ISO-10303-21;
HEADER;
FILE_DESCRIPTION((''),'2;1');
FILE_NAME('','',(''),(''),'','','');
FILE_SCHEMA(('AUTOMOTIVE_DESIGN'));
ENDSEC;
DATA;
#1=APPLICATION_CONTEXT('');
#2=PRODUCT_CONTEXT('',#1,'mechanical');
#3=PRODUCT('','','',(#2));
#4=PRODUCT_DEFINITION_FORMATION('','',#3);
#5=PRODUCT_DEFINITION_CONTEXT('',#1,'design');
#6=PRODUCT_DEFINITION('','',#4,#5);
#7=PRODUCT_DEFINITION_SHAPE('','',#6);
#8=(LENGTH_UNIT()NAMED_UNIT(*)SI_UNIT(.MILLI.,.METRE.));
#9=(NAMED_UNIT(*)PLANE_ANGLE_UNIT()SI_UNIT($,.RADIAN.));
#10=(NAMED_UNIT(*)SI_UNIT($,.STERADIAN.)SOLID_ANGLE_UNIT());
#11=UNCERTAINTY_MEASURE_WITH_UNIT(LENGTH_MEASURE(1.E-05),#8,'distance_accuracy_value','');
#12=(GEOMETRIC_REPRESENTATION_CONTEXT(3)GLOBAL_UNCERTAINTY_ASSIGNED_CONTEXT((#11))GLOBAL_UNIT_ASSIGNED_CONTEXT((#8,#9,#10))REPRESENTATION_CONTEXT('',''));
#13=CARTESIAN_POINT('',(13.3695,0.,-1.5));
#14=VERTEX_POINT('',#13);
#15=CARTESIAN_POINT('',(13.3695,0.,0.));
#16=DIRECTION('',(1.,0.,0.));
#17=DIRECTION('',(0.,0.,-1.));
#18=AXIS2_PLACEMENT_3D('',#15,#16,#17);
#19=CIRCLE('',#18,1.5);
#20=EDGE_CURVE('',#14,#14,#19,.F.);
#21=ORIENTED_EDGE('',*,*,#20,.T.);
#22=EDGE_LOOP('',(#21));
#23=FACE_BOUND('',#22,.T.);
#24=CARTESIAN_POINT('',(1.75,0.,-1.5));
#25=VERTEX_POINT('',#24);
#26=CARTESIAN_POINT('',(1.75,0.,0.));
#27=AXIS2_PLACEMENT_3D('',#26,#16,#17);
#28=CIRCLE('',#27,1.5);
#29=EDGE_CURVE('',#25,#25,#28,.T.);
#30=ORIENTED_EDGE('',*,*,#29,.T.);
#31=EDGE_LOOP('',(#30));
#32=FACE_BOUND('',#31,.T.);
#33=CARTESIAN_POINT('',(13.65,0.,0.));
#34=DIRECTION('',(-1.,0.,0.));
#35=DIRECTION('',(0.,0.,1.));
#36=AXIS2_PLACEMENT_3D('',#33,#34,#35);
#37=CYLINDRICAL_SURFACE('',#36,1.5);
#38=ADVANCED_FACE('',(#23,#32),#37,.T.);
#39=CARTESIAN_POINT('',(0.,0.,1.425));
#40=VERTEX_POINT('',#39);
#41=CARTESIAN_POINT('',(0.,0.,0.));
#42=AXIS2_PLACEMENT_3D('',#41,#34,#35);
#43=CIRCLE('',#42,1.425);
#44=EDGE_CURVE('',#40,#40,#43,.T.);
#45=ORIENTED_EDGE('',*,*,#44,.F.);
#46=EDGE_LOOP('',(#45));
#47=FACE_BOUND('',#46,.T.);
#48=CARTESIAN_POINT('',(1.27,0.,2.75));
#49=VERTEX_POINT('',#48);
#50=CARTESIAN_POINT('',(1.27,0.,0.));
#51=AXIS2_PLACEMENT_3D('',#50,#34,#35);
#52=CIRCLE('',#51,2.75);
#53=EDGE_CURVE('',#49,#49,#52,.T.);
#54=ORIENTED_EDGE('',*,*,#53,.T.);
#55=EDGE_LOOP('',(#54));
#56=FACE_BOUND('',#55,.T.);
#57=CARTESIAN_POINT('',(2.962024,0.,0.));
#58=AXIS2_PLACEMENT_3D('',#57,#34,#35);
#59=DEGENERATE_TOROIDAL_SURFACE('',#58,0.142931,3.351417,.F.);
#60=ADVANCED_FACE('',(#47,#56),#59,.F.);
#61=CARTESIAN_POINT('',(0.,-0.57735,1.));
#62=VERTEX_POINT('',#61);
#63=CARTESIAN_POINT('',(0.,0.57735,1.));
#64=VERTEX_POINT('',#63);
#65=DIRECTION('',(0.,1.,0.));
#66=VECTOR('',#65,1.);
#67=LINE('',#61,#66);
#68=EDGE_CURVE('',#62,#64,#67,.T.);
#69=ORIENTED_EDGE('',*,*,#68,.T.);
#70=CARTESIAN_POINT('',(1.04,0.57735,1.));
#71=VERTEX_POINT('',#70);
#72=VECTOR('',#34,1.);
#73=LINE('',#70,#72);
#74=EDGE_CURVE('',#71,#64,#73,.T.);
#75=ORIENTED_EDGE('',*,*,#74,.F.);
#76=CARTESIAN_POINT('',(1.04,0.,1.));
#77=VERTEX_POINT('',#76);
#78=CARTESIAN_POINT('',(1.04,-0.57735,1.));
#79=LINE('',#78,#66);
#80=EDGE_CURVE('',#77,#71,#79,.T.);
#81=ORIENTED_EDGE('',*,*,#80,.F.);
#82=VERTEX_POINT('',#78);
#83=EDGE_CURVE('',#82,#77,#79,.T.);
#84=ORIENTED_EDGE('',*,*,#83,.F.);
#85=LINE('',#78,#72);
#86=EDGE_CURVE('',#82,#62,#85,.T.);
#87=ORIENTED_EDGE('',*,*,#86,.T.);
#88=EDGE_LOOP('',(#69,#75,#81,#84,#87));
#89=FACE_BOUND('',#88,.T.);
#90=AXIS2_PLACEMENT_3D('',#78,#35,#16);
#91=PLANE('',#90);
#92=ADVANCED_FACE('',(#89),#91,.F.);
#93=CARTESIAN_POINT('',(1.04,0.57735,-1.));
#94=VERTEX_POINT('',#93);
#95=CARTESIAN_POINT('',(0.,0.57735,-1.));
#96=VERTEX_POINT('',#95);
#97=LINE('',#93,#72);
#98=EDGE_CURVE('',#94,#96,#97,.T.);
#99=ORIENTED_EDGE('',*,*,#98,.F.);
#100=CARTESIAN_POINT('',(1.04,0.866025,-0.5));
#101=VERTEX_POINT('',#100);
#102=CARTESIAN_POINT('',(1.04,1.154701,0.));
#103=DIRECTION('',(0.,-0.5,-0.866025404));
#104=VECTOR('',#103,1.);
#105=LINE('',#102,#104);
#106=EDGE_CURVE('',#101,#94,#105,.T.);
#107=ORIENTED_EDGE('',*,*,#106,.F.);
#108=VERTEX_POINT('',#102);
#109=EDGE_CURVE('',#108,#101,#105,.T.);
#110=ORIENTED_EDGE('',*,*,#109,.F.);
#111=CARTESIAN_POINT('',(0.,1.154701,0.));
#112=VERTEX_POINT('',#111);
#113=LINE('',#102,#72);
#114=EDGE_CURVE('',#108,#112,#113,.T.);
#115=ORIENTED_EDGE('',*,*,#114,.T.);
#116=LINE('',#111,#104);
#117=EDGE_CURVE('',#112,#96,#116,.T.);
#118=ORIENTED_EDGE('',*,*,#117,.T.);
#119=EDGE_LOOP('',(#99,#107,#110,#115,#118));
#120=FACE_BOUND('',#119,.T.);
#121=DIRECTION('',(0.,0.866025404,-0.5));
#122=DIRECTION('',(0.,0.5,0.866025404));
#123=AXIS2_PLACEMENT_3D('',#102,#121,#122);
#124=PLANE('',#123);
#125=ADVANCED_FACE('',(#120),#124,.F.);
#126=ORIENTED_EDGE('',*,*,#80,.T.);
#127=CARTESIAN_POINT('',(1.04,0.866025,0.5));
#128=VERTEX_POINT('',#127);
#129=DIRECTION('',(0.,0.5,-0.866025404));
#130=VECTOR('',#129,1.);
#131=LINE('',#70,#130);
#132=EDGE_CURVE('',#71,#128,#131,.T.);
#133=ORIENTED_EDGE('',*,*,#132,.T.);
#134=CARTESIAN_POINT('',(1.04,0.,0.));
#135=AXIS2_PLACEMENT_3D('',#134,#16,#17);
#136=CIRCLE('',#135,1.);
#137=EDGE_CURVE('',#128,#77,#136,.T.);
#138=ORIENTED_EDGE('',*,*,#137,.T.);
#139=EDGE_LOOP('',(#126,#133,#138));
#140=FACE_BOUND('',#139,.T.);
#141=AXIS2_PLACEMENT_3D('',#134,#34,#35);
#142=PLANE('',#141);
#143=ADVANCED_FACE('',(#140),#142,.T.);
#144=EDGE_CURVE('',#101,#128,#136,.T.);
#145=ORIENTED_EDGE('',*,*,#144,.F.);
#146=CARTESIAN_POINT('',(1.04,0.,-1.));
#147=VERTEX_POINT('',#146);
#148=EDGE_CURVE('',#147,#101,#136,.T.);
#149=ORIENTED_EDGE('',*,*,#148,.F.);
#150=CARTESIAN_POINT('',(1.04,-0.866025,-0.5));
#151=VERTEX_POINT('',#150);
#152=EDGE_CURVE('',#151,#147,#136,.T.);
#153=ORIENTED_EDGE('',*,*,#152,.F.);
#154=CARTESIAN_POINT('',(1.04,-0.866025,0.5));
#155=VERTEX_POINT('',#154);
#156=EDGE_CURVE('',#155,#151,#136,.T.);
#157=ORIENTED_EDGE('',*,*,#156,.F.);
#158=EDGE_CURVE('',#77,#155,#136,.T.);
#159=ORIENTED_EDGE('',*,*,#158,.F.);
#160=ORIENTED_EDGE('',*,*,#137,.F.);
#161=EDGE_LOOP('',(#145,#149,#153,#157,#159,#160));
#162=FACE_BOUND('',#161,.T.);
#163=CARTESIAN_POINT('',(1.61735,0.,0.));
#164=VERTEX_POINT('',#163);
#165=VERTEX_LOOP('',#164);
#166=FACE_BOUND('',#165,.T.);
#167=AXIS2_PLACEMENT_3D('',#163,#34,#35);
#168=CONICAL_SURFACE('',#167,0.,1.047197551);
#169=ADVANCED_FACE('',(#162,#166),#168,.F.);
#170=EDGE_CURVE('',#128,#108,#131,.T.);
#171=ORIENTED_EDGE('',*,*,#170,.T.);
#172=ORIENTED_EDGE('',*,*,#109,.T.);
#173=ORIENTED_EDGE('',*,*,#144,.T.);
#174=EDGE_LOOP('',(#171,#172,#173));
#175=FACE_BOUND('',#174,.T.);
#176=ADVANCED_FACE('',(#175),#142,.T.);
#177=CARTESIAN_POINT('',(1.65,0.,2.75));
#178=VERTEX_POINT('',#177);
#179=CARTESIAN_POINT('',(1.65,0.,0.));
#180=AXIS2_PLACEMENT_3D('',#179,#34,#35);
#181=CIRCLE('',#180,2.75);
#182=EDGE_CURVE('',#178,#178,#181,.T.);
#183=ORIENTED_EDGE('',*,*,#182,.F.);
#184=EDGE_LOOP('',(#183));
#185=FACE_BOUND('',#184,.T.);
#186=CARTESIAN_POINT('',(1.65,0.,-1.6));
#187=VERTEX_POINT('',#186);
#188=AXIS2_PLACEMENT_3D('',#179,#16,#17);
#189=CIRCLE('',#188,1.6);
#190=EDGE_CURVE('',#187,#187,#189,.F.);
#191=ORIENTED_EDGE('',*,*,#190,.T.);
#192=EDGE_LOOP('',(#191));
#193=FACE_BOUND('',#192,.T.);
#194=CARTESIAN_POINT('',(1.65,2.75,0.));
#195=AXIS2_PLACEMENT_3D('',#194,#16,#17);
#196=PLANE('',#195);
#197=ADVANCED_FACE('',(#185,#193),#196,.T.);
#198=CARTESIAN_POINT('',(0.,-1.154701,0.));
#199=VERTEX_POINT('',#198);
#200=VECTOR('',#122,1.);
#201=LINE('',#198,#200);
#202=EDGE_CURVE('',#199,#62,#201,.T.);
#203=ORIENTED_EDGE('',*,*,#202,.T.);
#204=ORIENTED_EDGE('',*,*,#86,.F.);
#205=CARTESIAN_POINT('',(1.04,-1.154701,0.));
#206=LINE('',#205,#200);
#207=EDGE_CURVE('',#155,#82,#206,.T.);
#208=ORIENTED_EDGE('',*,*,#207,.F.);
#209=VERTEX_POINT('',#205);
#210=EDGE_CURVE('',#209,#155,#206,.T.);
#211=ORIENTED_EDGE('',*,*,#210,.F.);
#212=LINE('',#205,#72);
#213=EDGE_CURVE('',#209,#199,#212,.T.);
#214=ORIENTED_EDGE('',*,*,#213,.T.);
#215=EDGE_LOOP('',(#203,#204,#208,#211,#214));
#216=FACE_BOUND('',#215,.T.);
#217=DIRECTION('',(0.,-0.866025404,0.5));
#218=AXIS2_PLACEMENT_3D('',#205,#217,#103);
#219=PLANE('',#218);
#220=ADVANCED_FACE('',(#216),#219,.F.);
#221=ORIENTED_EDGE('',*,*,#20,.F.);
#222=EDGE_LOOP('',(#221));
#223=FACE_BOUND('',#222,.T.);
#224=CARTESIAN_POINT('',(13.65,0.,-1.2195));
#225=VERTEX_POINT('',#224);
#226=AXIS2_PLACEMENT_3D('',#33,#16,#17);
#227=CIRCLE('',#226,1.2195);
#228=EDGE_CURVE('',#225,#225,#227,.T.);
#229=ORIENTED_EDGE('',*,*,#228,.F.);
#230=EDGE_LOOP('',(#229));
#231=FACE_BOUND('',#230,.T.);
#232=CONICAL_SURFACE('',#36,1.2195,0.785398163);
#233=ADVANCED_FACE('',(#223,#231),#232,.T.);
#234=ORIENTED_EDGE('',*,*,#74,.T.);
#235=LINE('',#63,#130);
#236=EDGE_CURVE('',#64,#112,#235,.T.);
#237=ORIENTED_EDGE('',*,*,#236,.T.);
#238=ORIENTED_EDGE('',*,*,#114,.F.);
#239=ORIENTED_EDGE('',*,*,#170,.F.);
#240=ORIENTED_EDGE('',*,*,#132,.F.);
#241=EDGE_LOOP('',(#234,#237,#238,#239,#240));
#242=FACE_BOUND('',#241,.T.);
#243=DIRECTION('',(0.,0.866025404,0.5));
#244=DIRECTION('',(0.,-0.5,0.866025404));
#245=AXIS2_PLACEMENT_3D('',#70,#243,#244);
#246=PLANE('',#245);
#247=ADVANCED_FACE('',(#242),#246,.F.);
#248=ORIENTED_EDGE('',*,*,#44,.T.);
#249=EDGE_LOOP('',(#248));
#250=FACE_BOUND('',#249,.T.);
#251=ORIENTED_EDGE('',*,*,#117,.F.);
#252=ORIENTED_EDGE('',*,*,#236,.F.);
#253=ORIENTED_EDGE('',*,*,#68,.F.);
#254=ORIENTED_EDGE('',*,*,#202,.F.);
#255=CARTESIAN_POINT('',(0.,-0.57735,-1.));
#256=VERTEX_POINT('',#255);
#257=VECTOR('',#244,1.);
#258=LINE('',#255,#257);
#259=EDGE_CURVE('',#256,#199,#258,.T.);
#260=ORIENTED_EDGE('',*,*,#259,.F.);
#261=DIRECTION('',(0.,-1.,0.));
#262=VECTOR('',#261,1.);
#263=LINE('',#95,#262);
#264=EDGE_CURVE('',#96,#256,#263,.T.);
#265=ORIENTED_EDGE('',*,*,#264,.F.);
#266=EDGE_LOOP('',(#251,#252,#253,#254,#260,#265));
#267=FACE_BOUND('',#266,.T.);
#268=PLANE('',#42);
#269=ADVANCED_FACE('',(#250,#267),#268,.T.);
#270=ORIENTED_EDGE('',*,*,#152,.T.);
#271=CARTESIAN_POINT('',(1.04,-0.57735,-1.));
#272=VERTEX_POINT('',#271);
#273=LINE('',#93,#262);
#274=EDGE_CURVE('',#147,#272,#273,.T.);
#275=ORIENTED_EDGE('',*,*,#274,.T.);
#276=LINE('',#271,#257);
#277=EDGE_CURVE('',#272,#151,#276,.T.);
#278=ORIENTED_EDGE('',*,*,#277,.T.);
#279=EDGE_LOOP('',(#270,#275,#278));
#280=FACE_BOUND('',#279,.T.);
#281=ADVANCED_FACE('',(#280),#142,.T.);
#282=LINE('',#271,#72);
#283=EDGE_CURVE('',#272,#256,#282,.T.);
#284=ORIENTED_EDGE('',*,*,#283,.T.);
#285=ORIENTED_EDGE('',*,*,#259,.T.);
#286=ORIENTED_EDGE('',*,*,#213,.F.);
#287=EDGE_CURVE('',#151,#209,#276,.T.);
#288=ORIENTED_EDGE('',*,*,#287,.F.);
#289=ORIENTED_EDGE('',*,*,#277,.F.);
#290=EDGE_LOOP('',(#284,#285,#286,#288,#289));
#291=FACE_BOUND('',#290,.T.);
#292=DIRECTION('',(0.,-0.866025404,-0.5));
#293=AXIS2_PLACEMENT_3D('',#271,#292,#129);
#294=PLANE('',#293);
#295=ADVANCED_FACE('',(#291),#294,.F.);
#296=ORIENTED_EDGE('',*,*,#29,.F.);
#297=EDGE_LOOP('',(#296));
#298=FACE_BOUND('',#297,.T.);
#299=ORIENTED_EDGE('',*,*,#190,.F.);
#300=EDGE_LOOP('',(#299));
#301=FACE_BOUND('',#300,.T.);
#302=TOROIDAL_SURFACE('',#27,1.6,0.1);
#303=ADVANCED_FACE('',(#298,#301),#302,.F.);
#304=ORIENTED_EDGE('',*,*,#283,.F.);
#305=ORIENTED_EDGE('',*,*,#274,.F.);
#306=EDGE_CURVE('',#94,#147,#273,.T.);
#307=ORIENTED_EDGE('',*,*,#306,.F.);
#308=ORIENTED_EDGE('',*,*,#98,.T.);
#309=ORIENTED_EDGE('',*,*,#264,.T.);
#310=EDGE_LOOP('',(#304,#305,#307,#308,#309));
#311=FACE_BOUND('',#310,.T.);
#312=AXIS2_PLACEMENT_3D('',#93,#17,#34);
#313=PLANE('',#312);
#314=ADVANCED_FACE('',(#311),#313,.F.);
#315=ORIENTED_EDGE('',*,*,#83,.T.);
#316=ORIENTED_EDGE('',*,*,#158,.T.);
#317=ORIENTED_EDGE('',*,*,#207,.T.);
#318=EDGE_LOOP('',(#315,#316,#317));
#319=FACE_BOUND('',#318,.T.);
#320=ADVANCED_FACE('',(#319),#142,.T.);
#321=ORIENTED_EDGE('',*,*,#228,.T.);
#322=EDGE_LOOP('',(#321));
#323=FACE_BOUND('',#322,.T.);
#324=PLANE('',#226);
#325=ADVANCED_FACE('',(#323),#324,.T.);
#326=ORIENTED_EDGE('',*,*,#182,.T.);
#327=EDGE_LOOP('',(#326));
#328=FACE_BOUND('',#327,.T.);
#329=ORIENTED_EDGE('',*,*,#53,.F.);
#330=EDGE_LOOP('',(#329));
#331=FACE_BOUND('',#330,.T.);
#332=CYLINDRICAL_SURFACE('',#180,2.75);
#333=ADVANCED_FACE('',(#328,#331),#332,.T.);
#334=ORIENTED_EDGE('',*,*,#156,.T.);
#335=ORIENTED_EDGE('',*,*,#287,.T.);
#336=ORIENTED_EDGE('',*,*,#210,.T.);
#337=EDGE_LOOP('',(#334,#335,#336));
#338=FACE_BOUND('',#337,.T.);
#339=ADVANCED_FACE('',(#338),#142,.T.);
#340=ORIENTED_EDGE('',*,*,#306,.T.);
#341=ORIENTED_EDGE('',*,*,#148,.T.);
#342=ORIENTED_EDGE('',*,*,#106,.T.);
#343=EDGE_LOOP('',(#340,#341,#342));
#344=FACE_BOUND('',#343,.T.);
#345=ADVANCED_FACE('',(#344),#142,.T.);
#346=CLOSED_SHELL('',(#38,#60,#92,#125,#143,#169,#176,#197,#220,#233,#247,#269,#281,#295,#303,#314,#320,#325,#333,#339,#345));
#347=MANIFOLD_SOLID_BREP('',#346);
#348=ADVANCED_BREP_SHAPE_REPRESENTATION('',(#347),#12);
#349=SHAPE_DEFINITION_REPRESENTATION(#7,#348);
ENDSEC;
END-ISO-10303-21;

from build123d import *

# Parameters (mm, degrees)
CUT_EXTRUDE1_DEPTH        = 1.04
SKETCH4_R                 = 1.5
LARGO_Y_ANCHO_ROSCA_DEPTH = 12
FILLET1_R                 = 0.1
CHAMFER1_SIZE             = 0.2805


with BuildPart() as part:
    # Sketch1 → Revolve1 (revolve)
    with BuildSketch(Plane(origin=(0, 0, 0), x_dir=(-1, 0, 0), z_dir=(0, 0, -1)), mode=Mode.PRIVATE) as revolve1_sk:
        with BuildLine():
            Line((-1.65, 2.75), (-1.65, 0))
            Line((-1.65, 0), (0, 0))
            Line((0, 0), (0, 1.425))
            ThreePointArc((0, 1.425), (-0.542530893, 2.176130767), (-1.27, 2.75))
            Line((-1.27, 2.75), (-1.65, 2.75))
        make_face()
    revolve(revolve1_sk.sketch.rotate(Axis((1.65, 0, 0), (-1, 0, 0)), 270), axis=Axis((1.65, 0, 0), (-1, 0, 0)))

    # Sketch2 → Cut-Extrude1 (cut)
    with BuildSketch(Plane.ZY):
        Polygon((-1, 0.577350269), (-1, -0.577350269), (0, -1.154700538), (1, -0.577350269), (1, 0.577350269), (0, 1.154700538), align=None)
    extrude(amount=-CUT_EXTRUDE1_DEPTH, mode=Mode.SUBTRACT)

    # Sketch3 → Cut-Revolve1 (revolve, cut)
    with BuildSketch(Plane.XY, mode=Mode.PRIVATE) as cut_revolve1_sk:
        Polygon((1.04, 1), (1.04, 0), (1.617350269, 0), align=None)
    revolve(cut_revolve1_sk.sketch.rotate(Axis((1.04, 0, 0), (1, 0, 0)), 90), axis=Axis((1.04, 0, 0), (1, 0, 0)), mode=Mode.SUBTRACT)

    # Sketch4 → Largo y Ancho rosca (add)
    with BuildSketch(Plane(origin=(1.65, 0, 0), x_dir=(0, 0, -1), z_dir=(1, 0, 0))):
        Circle(SKETCH4_R)
    extrude(amount=LARGO_Y_ANCHO_ROSCA_DEPTH)

    # Fillet1
    fillet1_edges = [part.edges().sort_by_distance(p)[0] for p in [
        (1.65, 0, 1.5),
    ]]
    fillet(fillet1_edges, radius=FILLET1_R)

    # Chamfer1
    chamfer1_edges = [part.edges().sort_by_distance(p)[0] for p in [
        (13.65, 0, 1.5),
    ]]
    chamfer(chamfer1_edges, length=CHAMFER1_SIZE)


solid = part.part
